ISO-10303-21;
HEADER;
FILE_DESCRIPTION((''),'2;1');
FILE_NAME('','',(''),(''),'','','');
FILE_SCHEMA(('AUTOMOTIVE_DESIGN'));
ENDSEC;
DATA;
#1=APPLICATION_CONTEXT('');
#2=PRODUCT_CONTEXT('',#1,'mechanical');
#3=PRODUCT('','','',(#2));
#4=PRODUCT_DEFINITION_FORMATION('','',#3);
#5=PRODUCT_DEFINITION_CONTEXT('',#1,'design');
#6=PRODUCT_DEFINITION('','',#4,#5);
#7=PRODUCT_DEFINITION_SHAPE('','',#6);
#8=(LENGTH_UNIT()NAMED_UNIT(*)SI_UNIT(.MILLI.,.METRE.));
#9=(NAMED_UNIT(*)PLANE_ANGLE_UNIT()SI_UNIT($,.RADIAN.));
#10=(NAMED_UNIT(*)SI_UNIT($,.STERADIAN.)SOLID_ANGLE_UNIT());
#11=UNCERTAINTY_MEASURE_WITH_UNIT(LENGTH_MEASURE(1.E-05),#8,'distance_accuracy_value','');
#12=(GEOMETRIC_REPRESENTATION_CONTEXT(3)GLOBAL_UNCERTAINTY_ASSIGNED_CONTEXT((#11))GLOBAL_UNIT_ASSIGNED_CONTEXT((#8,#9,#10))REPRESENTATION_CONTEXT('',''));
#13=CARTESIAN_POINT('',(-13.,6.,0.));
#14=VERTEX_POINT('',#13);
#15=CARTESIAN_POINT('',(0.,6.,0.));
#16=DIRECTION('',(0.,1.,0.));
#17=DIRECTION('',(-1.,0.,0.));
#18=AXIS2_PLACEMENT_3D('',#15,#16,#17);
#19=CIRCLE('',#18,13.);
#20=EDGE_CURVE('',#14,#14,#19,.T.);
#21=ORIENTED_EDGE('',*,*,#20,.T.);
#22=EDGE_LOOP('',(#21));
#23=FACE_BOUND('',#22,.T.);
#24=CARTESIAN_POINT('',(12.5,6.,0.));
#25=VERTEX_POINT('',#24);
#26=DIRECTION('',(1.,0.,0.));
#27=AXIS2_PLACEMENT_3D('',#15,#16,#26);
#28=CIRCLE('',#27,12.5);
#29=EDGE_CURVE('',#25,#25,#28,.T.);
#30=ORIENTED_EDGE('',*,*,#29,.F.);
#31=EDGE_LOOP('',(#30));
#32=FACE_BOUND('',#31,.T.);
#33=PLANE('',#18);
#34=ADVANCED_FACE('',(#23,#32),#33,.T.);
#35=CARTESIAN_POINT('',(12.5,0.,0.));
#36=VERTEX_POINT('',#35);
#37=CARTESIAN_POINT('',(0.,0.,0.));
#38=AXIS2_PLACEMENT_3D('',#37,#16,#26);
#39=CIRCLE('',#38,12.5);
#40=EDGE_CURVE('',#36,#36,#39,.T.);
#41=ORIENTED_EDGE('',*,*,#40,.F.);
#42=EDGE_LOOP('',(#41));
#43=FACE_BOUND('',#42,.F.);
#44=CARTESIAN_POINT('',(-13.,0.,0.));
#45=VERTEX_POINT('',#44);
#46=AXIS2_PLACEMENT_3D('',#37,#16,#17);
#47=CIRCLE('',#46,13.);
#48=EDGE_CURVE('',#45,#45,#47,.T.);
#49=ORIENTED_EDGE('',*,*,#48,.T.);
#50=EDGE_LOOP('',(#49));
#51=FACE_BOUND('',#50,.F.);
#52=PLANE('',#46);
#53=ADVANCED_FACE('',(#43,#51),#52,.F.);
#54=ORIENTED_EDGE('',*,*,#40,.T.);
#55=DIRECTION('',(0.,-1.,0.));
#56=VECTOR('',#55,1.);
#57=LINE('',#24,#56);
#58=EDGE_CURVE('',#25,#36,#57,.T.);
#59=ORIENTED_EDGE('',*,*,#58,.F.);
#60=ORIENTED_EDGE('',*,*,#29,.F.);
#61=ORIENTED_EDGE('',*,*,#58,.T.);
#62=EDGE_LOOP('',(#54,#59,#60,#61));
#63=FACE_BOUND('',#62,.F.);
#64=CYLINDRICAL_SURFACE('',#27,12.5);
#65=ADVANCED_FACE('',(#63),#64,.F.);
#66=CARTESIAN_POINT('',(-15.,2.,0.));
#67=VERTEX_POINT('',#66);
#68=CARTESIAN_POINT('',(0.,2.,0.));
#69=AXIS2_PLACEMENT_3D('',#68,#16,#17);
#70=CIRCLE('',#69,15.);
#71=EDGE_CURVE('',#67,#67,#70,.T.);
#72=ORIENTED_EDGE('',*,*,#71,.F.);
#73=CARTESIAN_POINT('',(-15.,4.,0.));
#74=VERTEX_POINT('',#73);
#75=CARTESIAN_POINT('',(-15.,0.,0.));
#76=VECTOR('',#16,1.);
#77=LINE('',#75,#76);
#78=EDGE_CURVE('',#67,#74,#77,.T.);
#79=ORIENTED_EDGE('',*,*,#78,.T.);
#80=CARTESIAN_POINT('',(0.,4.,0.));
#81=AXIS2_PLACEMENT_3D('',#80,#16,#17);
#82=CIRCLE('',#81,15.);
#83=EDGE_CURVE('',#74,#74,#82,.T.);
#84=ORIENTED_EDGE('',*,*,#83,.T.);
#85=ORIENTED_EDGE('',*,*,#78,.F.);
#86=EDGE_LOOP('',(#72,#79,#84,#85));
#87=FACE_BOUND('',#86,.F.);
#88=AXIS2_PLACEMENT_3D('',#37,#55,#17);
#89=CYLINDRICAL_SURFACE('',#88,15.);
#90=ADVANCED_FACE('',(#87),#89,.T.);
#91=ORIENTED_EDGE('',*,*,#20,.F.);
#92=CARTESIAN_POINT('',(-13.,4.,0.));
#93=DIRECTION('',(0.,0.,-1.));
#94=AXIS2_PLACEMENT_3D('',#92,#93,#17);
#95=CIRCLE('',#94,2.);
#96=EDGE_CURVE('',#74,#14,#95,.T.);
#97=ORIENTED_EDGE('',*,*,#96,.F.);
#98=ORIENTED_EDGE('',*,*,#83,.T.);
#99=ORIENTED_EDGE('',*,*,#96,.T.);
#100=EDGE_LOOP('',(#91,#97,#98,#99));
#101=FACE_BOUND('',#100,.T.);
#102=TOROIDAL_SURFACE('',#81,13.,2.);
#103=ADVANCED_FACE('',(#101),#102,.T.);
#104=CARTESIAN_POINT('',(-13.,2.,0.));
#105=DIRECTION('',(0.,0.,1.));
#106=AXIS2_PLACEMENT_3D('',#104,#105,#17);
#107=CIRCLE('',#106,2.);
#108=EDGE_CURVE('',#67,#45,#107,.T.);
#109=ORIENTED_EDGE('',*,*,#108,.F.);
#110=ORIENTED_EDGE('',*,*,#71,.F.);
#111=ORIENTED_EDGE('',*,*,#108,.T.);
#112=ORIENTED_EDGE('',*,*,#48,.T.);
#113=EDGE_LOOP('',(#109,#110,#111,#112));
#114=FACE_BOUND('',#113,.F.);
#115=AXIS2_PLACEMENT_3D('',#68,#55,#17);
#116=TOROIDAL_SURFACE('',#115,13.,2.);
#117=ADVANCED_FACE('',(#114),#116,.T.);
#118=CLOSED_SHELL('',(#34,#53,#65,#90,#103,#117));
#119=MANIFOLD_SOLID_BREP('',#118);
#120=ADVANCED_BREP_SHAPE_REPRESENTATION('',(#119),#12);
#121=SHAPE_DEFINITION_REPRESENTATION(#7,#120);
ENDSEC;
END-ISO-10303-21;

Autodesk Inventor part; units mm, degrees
ref_plane "YZ Plane" through (0, 0, 0) normal (1, 0, 0) x (0, 1, 0)
ref_plane "XZ Plane" through (0, 0, 0) normal (0, 1, 0) x (-1, 0, 0)
ref_plane "XY Plane" through (0, 0, 0) normal (0, 0, 1) x (1, 0, 0)
sketch "Esquisse1" plane through (0, 0, 0) normal (0, 1, 0) x (-1, 0, 0)
  circle A0 centre (0, 0) radius 15
  dimension "d0" = 30
extrude "Extrusion1" add sketch "Esquisse1" along normal blind 6
fillet "Congé1" radius 2 2 edges at (15, 6, 0) (15, 0, 0)
sketch "Esquisse2" plane through (0, 6, 0) normal (0, 1, 0) x (1, 0, 0)
  circle A0 centre (0, 0) radius 12.5
  dimension "d6" = 25
extrude "Extrusion2" cut sketch "Esquisse2" against normal blind 10
thread "Filetage2" size "M25x2" class "6H" standard "ANSI Metric M Profile" length 7
properties part number "Anneau inf"
